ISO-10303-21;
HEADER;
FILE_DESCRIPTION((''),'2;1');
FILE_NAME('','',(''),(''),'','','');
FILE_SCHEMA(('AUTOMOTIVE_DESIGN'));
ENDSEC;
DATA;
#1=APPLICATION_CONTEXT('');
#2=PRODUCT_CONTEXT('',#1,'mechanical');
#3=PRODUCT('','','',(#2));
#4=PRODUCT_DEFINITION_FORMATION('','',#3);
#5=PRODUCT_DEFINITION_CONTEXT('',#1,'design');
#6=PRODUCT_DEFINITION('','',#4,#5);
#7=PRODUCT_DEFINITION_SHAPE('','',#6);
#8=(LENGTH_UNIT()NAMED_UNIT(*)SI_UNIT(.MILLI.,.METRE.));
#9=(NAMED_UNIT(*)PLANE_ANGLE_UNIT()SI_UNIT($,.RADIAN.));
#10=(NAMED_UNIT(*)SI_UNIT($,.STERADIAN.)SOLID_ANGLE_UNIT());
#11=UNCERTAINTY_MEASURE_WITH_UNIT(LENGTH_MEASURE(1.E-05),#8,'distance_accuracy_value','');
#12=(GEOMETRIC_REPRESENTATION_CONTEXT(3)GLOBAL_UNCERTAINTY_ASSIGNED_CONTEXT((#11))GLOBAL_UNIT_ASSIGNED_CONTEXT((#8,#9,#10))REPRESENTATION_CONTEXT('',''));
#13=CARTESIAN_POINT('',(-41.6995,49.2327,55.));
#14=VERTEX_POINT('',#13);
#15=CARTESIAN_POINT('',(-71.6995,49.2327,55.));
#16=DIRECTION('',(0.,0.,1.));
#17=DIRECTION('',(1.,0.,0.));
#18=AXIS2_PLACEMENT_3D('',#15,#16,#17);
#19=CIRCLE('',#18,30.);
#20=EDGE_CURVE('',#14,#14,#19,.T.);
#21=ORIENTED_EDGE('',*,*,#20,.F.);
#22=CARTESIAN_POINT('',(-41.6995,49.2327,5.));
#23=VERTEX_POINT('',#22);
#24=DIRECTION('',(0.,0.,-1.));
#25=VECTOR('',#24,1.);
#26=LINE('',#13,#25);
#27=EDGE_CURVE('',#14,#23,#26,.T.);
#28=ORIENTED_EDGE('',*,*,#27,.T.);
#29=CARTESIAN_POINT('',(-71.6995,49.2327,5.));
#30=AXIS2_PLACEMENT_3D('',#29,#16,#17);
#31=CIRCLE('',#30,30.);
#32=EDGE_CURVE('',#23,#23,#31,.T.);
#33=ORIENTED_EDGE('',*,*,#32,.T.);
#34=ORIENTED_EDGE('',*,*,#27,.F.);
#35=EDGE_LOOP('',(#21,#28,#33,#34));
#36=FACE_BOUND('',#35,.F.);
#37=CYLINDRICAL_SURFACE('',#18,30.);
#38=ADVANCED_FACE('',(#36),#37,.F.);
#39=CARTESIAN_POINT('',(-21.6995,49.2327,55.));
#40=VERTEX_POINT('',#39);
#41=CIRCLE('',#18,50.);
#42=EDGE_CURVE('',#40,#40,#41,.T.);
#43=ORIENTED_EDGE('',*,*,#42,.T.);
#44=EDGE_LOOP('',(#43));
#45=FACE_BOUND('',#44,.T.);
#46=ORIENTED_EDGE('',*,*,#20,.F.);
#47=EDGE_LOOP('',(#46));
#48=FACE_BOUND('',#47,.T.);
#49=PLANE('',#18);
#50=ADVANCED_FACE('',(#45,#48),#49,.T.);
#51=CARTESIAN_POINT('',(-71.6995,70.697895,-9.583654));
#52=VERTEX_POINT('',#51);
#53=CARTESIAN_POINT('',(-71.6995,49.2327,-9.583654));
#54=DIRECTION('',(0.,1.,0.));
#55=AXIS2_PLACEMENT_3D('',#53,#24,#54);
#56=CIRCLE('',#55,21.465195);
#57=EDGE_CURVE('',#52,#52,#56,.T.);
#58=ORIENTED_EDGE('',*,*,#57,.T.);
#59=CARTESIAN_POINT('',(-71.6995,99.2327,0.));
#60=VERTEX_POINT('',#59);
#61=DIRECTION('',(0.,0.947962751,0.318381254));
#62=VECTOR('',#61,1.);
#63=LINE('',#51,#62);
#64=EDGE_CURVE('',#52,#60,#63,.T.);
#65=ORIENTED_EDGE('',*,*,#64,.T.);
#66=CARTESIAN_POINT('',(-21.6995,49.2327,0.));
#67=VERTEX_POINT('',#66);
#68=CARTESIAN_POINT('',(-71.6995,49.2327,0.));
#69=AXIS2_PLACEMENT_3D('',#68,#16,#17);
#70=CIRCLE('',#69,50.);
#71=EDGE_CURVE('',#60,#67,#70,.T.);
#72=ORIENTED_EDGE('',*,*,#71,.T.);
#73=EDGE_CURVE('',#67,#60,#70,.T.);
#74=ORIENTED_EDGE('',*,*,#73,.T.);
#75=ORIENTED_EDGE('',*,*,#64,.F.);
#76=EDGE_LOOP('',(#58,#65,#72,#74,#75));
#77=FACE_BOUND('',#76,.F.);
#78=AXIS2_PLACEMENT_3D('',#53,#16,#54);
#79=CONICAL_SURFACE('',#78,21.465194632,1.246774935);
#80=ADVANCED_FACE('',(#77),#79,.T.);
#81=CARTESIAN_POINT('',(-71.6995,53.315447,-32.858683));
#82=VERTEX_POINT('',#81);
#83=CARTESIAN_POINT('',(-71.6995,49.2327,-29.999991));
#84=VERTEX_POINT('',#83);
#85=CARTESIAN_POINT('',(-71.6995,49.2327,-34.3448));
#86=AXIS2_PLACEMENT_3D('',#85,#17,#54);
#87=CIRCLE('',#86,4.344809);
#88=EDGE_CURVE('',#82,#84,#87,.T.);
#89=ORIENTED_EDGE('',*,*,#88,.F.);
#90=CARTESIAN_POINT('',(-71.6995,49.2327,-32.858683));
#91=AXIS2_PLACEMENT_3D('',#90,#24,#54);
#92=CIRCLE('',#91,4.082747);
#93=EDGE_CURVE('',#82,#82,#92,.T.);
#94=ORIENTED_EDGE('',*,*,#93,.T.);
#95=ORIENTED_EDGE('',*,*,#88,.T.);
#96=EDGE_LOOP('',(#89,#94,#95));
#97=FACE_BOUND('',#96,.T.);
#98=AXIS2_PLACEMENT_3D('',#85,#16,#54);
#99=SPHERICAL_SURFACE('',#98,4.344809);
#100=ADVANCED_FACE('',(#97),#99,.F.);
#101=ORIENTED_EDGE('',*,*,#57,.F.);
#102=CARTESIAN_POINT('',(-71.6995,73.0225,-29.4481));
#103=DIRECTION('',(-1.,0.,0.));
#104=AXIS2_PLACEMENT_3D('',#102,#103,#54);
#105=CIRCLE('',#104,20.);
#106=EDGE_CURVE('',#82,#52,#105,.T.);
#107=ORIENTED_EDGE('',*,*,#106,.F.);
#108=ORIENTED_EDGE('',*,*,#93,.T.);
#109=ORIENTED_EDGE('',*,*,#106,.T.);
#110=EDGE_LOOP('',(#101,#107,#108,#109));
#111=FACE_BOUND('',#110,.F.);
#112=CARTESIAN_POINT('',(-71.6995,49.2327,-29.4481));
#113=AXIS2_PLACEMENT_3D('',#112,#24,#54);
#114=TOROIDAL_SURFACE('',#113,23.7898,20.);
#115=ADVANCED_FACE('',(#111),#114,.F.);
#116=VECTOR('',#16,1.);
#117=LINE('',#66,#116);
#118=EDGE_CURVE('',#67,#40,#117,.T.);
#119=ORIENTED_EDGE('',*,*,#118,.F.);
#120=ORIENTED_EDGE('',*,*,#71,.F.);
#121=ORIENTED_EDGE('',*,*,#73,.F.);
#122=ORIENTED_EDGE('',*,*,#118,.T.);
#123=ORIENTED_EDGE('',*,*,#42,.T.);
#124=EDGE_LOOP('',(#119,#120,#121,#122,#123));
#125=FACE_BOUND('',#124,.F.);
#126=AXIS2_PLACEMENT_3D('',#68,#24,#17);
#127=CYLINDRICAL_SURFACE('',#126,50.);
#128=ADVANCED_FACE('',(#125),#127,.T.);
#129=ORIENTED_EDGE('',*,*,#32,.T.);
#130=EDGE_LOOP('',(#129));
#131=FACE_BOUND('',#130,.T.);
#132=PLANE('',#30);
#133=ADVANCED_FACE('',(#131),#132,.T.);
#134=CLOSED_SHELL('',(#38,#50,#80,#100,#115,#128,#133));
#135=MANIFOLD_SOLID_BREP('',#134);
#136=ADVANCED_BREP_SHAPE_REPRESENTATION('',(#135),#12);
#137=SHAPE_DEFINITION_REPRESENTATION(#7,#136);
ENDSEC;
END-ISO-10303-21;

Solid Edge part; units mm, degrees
sketch "Sketch1" plane through (0, 0, 0) normal (0, 0, 1) x (1, 0, 0)
  circle A0 centre (-71.6995, 49.2327) radius 50
  dimension "D1" = 100
extrude "Protrusion1" add sketch "Sketch1" along normal blind 55
sketch "Sketch2" plane through (-71.6995, 49.2327, 55) normal (0, 0, 1) x (1, 0, 0)
  circle A0 centre (0, 0) radius 30
  dimension "D1" = 60
extrude "ExtrudedCutout_1" cut sketch "Sketch2" against normal blind 50
sketch "Sketch3" plane through (-71.6995, 0, 0) normal (1, 0, 0) x (0, 1, 0)
  line L0 (99.2327, 0) -> (49.2327, 0)
  arc A0 (53.3155, -32.8588) -> (49.2327, -30) centre (49.2327, -34.3448) ccw
  arc A1 (53.3155, -32.8588) -> (70.6979, -9.5837) centre (73.0225, -29.4481) cw
  line L1 (70.6979, -9.5837) -> (99.2327, 0)
  dimension "D1" = 50
  dimension "D2" = 4.3448
revolve "RevolvedProtrusion1" add sketch "Sketch3" angle 360 about axis through (-71.6995, 49.2327, 0) along (0, 0, -1)
properties material "Aluminum, 6061-T6"
